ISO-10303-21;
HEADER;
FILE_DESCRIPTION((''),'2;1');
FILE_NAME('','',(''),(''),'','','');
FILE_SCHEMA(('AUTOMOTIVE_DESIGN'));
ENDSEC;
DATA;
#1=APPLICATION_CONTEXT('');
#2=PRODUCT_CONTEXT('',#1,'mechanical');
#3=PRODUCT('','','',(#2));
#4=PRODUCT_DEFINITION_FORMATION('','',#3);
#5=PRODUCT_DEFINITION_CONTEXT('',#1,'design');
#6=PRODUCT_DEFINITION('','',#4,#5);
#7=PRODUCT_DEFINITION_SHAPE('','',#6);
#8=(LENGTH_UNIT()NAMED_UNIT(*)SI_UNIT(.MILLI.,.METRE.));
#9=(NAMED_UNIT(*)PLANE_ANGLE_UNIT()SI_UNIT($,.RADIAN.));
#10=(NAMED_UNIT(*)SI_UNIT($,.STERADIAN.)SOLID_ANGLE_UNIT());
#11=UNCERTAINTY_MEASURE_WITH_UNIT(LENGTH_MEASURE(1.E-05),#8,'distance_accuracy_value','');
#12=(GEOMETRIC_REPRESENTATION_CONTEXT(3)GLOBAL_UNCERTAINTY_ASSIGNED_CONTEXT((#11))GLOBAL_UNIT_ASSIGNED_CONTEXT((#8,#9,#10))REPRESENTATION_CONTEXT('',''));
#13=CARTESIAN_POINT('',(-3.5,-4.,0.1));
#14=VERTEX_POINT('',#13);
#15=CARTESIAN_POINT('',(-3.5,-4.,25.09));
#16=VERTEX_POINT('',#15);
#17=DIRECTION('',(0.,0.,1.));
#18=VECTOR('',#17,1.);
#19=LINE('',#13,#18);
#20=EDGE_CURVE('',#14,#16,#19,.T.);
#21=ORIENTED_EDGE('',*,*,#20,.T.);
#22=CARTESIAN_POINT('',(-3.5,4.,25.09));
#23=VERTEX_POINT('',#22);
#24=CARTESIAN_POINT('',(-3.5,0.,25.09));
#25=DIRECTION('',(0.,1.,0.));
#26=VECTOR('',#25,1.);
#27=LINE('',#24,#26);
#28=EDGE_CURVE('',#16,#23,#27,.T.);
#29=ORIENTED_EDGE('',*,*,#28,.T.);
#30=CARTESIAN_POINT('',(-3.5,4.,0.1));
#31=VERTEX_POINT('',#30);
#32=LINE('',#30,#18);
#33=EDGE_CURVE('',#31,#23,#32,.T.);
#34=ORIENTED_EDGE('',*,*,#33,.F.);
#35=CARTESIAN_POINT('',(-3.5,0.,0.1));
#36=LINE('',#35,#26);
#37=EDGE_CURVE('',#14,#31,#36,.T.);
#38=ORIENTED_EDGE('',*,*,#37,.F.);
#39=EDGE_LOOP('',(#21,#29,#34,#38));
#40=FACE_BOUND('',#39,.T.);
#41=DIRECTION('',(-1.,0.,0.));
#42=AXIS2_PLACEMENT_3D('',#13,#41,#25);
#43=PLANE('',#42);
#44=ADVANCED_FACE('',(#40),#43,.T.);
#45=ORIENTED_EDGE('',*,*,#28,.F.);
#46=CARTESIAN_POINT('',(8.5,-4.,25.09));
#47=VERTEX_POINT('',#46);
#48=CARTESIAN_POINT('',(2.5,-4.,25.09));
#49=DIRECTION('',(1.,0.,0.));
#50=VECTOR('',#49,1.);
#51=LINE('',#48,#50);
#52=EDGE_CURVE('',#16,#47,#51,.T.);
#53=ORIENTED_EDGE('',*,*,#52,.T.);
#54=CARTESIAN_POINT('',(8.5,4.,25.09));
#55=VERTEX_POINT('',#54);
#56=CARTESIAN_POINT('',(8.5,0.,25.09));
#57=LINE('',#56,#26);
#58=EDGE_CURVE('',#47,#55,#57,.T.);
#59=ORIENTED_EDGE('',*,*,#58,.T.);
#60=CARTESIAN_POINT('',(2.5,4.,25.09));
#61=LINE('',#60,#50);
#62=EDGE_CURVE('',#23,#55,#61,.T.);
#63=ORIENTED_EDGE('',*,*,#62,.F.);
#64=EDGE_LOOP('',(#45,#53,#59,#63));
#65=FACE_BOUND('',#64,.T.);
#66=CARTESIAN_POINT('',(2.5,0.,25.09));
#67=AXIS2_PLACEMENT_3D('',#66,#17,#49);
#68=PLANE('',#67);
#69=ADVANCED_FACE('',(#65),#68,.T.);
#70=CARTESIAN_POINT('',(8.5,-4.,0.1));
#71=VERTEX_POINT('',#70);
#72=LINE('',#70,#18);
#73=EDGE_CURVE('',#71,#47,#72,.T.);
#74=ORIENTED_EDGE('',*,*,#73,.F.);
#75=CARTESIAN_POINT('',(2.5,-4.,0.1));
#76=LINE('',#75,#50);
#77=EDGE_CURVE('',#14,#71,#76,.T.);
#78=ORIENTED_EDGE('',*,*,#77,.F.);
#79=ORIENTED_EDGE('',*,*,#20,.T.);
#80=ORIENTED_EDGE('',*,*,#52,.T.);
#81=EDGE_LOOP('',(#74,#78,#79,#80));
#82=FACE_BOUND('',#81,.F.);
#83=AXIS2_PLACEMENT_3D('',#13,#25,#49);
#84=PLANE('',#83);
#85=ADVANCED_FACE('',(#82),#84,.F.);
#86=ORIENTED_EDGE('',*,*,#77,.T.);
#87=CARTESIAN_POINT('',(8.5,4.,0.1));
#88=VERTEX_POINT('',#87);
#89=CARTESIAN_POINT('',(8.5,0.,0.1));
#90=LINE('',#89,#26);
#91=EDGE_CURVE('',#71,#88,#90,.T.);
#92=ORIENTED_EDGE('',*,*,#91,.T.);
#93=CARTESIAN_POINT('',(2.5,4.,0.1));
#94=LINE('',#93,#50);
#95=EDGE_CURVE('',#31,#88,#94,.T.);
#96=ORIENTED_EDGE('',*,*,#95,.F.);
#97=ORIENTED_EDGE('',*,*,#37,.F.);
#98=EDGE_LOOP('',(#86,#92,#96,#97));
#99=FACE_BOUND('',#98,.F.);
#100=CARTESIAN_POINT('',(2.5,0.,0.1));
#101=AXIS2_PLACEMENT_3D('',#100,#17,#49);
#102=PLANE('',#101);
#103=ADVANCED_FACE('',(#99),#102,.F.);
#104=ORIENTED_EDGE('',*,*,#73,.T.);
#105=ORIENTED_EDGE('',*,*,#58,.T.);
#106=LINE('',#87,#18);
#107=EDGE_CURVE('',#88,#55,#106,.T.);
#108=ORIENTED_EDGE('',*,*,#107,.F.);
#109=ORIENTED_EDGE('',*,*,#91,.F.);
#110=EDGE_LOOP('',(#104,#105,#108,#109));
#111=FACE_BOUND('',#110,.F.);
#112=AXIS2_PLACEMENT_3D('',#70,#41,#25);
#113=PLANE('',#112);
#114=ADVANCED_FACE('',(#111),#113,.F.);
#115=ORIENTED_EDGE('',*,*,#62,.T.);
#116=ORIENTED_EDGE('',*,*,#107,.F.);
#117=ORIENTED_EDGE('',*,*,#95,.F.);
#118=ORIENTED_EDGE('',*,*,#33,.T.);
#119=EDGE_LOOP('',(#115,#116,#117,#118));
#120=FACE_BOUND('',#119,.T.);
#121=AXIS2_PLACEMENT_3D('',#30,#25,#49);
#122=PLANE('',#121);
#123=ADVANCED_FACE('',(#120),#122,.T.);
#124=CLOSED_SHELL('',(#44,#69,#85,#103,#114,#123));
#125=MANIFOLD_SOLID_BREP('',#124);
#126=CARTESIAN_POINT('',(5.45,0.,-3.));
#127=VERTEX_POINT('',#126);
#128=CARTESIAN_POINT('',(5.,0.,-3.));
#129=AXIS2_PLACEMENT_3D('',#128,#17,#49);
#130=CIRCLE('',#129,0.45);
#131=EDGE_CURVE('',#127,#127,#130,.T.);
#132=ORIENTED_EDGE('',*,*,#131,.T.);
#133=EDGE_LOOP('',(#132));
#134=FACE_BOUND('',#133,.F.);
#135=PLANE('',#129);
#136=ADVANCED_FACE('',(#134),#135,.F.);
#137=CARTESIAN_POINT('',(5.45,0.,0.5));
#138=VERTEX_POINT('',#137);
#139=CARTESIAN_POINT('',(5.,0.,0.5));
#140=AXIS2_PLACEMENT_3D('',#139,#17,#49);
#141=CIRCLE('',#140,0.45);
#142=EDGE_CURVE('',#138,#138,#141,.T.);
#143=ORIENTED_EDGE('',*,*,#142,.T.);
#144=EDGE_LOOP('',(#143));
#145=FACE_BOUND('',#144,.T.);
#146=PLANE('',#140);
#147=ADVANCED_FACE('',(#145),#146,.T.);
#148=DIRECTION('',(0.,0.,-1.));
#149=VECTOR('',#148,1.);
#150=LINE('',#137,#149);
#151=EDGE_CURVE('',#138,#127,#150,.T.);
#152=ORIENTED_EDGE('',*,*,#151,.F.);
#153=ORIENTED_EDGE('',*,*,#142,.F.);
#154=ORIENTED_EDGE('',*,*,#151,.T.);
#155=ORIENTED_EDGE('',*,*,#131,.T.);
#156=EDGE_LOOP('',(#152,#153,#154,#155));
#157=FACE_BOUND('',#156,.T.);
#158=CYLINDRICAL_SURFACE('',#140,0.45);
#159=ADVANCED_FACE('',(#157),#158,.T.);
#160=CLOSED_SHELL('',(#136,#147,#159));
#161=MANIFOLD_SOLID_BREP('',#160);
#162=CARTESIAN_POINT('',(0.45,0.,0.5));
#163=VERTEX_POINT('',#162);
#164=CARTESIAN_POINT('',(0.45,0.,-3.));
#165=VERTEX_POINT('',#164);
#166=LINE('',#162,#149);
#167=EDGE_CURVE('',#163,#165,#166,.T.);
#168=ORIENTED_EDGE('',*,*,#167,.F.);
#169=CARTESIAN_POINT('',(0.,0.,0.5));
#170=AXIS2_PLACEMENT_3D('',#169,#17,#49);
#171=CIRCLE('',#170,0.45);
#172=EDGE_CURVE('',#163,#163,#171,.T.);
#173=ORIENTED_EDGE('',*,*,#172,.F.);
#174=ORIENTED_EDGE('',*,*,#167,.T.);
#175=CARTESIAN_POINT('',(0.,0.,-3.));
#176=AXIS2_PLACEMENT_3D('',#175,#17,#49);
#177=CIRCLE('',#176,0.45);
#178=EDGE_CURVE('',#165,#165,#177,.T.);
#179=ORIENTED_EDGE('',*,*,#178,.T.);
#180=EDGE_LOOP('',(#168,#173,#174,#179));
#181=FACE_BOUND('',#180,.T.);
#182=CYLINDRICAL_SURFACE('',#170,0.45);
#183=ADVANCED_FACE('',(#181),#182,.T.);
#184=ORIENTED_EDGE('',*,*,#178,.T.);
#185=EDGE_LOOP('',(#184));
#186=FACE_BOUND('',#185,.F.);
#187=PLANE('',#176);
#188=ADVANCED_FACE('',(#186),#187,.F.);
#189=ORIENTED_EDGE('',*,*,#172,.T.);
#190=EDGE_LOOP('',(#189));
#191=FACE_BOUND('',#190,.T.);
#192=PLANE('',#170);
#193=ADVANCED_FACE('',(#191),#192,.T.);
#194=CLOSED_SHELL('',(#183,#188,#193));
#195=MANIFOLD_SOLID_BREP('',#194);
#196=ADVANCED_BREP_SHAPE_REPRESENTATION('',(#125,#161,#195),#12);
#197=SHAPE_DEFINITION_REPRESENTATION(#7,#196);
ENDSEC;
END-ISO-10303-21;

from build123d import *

# Parameters (mm, degrees)
SKETCH_W     = 12
SKETCH_H     = 8
PAD_DEPTH    = 24.99
SKETCH001_R  = 0.45
PAD001_DEPTH = 3.5


with BuildPart() as pad:
    # Sketch → Pad (new body)
    with BuildSketch(Plane.XY.offset(0.1)):
        with Locations((2.5, 0)):
            Rectangle(SKETCH_W, SKETCH_H)
    extrude(amount=PAD_DEPTH)


with BuildPart() as pad001:
    # Sketch001 → Pad001 (new body)
    with BuildSketch(Plane.XY.offset(0.5)):
        Circle(SKETCH001_R)
        with Locations((5, 0)):
            Circle(SKETCH001_R)
    extrude(amount=-PAD001_DEPTH)


solid = Compound([pad.part, pad001.part])
